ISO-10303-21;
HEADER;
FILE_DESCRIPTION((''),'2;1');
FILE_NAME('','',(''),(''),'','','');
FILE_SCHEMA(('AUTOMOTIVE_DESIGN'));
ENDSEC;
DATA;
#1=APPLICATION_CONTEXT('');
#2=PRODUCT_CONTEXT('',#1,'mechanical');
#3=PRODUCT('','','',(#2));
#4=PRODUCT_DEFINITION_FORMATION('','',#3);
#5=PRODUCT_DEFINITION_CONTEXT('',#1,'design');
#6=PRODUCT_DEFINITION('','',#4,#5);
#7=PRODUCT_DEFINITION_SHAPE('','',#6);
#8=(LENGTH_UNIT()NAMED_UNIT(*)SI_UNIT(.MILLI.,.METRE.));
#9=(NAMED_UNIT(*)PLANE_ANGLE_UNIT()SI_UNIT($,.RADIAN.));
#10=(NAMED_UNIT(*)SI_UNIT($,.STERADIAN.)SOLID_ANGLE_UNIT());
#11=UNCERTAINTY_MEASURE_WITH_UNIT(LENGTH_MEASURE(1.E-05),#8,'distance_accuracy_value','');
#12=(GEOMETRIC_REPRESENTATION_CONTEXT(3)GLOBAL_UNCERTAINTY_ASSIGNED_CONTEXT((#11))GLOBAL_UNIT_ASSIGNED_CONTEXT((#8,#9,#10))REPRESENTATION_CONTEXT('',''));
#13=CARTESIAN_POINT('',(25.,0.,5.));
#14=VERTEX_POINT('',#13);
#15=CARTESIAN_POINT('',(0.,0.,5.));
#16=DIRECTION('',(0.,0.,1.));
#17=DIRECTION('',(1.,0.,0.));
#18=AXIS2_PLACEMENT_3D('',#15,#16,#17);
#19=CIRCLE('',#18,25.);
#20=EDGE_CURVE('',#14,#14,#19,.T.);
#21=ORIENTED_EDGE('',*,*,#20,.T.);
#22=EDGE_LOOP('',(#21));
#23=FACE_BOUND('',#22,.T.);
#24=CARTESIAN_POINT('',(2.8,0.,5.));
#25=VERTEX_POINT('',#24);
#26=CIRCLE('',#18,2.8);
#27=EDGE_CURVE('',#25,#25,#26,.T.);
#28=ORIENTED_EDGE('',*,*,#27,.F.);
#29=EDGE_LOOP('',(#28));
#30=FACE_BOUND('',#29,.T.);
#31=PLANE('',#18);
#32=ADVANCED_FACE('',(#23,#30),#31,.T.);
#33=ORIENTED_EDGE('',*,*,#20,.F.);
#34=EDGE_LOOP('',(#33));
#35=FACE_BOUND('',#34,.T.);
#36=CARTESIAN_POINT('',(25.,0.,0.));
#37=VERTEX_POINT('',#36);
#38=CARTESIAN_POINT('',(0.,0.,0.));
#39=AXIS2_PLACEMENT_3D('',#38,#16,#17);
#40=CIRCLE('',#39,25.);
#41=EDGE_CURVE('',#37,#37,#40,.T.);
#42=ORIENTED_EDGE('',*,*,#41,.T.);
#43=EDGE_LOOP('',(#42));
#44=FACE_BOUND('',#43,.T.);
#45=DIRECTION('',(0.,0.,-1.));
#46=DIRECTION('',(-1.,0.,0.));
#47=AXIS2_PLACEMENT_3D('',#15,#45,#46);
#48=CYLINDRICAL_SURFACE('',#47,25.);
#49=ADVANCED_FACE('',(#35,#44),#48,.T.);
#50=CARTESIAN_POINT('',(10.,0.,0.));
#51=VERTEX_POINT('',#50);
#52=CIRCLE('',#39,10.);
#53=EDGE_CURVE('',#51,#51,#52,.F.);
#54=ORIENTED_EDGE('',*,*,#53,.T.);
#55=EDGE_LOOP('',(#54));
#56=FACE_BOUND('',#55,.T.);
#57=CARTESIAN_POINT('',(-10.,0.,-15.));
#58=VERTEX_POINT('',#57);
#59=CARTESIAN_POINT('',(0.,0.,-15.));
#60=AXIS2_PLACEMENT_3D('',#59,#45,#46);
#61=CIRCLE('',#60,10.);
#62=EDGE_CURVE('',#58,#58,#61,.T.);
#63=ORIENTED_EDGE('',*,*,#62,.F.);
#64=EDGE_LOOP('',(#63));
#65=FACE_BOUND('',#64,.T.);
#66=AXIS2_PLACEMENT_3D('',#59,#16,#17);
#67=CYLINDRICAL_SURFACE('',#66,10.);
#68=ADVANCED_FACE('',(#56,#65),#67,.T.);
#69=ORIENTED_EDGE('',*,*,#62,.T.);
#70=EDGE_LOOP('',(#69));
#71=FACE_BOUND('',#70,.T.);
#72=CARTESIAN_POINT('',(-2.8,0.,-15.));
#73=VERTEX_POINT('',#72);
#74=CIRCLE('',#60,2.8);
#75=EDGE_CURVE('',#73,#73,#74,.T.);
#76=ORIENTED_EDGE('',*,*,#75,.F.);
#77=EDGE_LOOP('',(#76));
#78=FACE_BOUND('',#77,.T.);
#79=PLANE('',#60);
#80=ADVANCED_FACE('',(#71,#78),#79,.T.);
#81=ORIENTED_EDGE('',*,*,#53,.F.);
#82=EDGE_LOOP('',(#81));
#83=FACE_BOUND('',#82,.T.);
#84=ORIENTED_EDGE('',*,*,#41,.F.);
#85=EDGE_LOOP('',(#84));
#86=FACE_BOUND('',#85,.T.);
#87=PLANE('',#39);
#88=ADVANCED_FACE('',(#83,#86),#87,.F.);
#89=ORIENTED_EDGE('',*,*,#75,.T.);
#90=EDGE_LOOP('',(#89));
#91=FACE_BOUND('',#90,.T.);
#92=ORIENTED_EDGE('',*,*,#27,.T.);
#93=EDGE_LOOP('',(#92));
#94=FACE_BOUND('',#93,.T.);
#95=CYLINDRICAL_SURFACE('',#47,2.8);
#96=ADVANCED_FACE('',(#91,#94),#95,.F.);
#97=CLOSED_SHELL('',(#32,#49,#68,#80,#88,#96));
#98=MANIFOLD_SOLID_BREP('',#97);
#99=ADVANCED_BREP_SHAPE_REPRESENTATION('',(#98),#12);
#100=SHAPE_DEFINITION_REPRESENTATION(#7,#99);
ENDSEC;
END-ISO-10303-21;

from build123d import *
from build123d.topology import SkipClean

# Parameters (mm, degrees)
ESQUISSE1_R        = 25
ESQUISSE1_R_2      = 2.8
BOSS_EXTRU_1_DEPTH = 5
BOSS_EXTRU_2_START = 15
ESQUISSE2_R        = 10
ESQUISSE2_R_2      = 2.8
BOSS_EXTRU_2_DEPTH = 15


with BuildPart() as part:
    # Esquisse1 → Boss.-Extru.1 (new body)
    with BuildSketch(Plane.XY):
        Circle(ESQUISSE1_R)
        Circle(ESQUISSE1_R_2, mode=Mode.SUBTRACT)
    extrude(amount=BOSS_EXTRU_1_DEPTH)

    # Esquisse2 → Boss.-Extru.2 (add)
    with SkipClean():  # the faces are left unmerged after this step: merging them gives an invalid solid
        with BuildSketch(Plane(origin=(0, 0, 0), x_dir=(-1, 0, 0), z_dir=(0, 0, -1)).offset(BOSS_EXTRU_2_START)):
            with Locations(Location((0, 0, 0), (0, 0, 180))):
                Circle(ESQUISSE2_R)
            Circle(ESQUISSE2_R_2, mode=Mode.SUBTRACT)
        extrude(amount=-BOSS_EXTRU_2_DEPTH)


solid = part.part
